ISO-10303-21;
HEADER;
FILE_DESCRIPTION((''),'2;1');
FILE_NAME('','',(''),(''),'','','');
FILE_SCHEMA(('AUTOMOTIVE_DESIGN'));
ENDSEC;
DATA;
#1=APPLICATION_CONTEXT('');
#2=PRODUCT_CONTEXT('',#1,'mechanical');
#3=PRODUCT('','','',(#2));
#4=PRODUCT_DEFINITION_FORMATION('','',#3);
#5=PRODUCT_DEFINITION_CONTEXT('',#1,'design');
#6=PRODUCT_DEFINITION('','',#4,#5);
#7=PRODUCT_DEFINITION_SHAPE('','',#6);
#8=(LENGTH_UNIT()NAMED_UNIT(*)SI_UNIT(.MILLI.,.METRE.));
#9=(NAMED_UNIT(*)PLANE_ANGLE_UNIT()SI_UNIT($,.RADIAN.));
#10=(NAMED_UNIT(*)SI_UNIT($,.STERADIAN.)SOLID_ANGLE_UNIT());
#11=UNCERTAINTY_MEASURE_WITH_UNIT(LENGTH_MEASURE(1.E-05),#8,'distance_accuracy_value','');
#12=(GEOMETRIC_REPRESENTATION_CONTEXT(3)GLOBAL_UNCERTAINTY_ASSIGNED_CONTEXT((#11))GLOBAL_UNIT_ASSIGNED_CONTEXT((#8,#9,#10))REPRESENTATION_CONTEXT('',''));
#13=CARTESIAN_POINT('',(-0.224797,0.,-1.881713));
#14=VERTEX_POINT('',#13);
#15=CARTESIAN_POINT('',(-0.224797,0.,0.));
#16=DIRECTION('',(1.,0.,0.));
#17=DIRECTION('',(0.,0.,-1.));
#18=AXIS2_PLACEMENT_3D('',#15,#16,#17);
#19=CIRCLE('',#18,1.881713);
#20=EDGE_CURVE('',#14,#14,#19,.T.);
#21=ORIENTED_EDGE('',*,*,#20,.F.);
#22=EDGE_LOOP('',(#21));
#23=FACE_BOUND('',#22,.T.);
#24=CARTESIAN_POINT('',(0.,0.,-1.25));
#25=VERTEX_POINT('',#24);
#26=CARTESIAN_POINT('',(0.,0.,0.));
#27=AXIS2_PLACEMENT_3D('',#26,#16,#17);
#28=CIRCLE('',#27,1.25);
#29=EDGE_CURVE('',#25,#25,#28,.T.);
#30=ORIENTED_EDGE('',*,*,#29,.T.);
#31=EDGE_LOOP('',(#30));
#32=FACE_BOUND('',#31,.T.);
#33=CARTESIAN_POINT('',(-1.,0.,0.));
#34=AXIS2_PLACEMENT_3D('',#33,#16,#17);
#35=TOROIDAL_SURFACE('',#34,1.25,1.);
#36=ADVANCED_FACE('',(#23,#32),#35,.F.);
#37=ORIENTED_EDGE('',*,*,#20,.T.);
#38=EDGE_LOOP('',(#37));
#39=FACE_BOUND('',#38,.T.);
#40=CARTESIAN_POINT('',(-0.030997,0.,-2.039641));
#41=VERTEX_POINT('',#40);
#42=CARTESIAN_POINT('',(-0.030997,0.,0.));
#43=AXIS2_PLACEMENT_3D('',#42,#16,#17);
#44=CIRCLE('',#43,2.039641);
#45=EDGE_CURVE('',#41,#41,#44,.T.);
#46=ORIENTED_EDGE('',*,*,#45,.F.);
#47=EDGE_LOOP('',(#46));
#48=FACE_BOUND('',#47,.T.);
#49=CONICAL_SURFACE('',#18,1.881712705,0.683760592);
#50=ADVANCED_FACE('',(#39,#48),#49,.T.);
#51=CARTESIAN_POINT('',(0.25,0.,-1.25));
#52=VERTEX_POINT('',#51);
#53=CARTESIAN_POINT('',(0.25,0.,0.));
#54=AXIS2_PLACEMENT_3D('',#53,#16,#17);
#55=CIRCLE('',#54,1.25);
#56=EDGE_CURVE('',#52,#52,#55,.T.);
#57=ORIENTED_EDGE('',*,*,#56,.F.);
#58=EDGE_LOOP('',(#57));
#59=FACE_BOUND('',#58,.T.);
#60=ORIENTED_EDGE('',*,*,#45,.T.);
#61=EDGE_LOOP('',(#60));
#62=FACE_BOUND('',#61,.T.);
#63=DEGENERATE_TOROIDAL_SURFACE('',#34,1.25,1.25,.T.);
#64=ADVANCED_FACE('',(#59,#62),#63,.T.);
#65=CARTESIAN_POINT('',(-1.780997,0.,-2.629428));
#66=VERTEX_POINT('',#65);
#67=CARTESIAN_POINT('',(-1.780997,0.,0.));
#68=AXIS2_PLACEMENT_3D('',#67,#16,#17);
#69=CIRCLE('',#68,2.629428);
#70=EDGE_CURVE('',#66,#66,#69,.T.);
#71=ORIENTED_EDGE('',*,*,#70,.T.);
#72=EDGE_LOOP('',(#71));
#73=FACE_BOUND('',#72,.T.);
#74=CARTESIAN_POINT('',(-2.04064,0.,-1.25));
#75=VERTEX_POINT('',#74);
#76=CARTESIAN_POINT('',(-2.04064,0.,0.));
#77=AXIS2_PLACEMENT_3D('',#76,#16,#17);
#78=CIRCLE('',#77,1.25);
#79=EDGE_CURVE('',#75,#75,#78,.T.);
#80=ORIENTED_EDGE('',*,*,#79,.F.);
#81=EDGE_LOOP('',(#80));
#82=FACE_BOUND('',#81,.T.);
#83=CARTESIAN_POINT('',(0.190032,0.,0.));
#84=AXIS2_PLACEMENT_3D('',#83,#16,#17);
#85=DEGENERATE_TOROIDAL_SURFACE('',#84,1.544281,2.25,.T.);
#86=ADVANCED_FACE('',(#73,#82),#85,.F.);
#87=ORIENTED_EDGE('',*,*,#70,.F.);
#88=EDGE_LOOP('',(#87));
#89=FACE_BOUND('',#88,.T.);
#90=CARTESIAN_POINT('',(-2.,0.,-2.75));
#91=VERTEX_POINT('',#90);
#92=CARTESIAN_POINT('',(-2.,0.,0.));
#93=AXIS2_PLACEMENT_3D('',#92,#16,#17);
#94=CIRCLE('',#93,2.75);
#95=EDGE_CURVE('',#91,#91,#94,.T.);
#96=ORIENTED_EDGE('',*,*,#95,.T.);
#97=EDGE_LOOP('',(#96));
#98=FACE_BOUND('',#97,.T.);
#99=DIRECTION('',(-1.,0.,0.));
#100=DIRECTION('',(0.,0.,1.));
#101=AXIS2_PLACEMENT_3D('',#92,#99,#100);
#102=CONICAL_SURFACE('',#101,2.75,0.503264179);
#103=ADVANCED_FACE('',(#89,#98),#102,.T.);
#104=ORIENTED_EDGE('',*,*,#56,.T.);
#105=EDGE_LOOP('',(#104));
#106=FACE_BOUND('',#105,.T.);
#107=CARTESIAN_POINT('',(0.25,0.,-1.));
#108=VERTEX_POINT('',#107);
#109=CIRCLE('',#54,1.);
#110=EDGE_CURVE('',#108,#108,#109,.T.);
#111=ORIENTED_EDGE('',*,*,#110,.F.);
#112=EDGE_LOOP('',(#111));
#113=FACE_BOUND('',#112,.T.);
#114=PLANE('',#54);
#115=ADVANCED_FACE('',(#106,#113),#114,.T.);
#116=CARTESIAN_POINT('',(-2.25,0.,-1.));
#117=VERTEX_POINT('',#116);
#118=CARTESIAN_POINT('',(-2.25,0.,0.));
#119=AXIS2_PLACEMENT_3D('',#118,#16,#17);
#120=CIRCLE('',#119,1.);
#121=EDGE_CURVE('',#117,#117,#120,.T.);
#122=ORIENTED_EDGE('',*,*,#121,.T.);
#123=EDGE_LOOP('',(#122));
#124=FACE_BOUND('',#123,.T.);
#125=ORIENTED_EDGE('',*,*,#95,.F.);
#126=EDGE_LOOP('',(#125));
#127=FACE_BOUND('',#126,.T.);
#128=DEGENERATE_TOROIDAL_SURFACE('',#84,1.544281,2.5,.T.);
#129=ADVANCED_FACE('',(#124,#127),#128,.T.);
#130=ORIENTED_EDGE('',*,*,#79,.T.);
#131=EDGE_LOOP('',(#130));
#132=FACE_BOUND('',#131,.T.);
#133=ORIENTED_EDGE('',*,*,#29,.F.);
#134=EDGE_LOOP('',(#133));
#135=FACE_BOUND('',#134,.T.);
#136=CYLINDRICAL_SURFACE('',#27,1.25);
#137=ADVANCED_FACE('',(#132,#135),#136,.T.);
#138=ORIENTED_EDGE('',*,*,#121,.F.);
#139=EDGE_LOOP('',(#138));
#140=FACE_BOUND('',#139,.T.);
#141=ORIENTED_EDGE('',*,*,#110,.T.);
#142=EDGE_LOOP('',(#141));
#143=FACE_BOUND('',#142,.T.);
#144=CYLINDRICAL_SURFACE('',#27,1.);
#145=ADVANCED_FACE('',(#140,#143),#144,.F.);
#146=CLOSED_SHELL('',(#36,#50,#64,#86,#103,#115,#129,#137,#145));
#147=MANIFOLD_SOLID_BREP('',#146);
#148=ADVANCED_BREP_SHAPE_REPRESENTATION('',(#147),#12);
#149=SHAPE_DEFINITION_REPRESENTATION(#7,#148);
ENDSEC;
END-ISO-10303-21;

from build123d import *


with BuildPart() as part:
    # Sketch1 → Revolve1 (revolve)
    with BuildSketch(Plane.XY, mode=Mode.PRIVATE) as revolve1_sk:
        with BuildLine():
            ThreePointArc((0, 1.25), (-0.057874055, 1.58525916), (-0.224797408, 1.881712705))
            Line((-0.224797408, 1.881712705), (-0.03099676, 2.039640881))
            ThreePointArc((-0.03099676, 2.039640881), (0.177657431, 1.66907395), (0.25, 1.25))
            Line((0.25, 1.25), (0.25, 1))
            Line((0.25, 1), (0, 1))
            Line((0, 1), (-2, 1))
            Line((-2, 1), (-2.25, 1))
            ThreePointArc((-2.25, 1), (-2.284841337, 1.897834477), (-2, 2.75))
            Line((-2, 2.75), (-1.78099676, 2.629428109))
            ThreePointArc((-1.78099676, 2.629428109), (-2.021139042, 1.960479194), (-2.040639843, 1.25))
            Line((-2.040639843, 1.25), (0, 1.25))
        make_face()
    revolve(revolve1_sk.sketch.rotate(Axis((0, 0, 0), (-1, 0, 0)), 90), axis=Axis((0, 0, 0), (-1, 0, 0)))


solid = part.part
